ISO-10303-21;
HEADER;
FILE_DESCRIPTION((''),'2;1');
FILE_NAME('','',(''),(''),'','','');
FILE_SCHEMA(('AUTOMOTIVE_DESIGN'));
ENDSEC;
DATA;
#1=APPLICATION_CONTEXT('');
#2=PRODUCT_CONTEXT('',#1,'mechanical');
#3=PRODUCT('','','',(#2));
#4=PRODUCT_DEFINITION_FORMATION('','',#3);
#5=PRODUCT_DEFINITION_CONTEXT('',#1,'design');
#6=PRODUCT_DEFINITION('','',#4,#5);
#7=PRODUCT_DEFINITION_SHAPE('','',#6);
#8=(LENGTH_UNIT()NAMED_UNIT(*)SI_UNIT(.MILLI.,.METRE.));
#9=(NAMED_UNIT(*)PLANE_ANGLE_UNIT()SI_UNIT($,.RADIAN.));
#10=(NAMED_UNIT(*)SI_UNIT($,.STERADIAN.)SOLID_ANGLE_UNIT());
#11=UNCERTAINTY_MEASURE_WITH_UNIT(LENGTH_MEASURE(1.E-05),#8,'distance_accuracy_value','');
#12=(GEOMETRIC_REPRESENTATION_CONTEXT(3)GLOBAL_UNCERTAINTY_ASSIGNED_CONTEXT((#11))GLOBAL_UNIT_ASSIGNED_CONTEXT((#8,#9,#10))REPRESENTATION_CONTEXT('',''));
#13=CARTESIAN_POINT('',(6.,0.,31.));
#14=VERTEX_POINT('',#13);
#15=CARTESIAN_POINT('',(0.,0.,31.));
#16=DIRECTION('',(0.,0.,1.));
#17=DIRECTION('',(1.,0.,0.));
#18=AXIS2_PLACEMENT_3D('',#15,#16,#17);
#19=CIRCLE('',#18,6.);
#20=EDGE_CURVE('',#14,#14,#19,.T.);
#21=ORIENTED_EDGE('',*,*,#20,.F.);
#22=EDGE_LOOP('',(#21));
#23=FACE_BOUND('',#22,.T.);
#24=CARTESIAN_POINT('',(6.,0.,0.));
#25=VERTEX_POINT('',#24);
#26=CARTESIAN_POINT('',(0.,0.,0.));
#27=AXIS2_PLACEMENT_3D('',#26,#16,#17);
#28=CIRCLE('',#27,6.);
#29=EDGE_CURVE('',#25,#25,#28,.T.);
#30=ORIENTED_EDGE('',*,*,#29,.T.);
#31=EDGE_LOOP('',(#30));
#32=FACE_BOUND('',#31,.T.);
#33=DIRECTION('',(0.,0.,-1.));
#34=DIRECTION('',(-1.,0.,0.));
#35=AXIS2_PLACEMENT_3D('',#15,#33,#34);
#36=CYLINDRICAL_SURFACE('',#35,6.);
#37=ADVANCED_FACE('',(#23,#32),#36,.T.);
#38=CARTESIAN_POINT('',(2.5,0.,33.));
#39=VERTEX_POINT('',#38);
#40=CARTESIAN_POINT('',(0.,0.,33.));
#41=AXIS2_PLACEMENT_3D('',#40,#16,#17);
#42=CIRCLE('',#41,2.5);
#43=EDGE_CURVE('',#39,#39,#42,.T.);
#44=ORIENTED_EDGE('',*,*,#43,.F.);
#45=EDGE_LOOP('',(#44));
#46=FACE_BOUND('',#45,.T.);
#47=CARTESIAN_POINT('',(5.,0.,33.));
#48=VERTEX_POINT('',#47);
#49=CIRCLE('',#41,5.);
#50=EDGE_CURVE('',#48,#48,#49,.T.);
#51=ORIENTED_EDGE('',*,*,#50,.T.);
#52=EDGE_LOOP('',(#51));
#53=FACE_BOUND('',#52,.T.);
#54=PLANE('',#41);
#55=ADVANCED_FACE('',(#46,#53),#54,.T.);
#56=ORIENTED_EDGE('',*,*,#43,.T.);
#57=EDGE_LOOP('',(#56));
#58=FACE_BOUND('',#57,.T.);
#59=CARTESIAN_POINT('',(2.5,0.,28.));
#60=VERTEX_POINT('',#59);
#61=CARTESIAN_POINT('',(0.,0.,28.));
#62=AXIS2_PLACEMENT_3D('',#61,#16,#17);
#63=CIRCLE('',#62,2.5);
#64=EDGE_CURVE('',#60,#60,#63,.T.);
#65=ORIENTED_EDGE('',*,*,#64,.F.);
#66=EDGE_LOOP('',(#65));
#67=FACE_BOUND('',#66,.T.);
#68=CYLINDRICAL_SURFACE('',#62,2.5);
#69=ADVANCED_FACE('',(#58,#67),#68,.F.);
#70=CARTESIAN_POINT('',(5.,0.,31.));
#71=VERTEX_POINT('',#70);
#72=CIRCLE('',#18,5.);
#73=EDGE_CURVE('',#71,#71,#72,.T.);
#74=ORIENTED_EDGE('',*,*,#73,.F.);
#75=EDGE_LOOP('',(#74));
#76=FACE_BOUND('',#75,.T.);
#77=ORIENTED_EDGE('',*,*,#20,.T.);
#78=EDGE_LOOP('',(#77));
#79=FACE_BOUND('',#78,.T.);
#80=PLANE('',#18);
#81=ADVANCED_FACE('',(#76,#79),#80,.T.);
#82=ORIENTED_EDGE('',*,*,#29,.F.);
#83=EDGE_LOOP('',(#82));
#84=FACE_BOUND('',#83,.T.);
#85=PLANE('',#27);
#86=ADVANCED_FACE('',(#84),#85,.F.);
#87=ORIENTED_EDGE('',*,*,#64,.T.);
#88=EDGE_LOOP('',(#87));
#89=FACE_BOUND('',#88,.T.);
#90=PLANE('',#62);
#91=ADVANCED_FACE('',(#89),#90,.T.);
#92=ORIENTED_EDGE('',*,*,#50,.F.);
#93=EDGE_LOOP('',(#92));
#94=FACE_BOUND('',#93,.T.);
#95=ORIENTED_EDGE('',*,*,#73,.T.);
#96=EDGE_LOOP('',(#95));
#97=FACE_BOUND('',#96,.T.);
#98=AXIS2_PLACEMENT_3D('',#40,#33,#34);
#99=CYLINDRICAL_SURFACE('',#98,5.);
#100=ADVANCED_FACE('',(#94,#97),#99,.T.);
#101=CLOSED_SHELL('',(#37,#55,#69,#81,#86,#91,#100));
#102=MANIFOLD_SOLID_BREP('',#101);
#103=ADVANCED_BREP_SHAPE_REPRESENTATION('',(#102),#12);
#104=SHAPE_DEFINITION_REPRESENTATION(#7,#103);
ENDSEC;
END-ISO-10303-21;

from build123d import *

# Parameters (mm, degrees)
SKETCH1_R           = 6
BOSS_EXTRUDE1_DEPTH = 31
SKETCH2_R           = 5
BOSS_EXTRUDE2_DEPTH = 2
SKETCH3_R           = 2.5
CUT_EXTRUDE1_DEPTH  = 5


with BuildPart() as part:
    # Sketch1 → Boss-Extrude1 (new body)
    with BuildSketch(Plane.XY):
        Circle(SKETCH1_R)
    extrude(amount=BOSS_EXTRUDE1_DEPTH)

    # Sketch2 → Boss-Extrude2 (add)
    with BuildSketch(Plane.XY.offset(31)):
        Circle(SKETCH2_R)
    extrude(amount=BOSS_EXTRUDE2_DEPTH)

    # Sketch3 → Cut-Extrude1 (cut)
    with BuildSketch(Plane.XY.offset(33)):
        Circle(SKETCH3_R)
    extrude(amount=-CUT_EXTRUDE1_DEPTH, mode=Mode.SUBTRACT)


solid = part.part
